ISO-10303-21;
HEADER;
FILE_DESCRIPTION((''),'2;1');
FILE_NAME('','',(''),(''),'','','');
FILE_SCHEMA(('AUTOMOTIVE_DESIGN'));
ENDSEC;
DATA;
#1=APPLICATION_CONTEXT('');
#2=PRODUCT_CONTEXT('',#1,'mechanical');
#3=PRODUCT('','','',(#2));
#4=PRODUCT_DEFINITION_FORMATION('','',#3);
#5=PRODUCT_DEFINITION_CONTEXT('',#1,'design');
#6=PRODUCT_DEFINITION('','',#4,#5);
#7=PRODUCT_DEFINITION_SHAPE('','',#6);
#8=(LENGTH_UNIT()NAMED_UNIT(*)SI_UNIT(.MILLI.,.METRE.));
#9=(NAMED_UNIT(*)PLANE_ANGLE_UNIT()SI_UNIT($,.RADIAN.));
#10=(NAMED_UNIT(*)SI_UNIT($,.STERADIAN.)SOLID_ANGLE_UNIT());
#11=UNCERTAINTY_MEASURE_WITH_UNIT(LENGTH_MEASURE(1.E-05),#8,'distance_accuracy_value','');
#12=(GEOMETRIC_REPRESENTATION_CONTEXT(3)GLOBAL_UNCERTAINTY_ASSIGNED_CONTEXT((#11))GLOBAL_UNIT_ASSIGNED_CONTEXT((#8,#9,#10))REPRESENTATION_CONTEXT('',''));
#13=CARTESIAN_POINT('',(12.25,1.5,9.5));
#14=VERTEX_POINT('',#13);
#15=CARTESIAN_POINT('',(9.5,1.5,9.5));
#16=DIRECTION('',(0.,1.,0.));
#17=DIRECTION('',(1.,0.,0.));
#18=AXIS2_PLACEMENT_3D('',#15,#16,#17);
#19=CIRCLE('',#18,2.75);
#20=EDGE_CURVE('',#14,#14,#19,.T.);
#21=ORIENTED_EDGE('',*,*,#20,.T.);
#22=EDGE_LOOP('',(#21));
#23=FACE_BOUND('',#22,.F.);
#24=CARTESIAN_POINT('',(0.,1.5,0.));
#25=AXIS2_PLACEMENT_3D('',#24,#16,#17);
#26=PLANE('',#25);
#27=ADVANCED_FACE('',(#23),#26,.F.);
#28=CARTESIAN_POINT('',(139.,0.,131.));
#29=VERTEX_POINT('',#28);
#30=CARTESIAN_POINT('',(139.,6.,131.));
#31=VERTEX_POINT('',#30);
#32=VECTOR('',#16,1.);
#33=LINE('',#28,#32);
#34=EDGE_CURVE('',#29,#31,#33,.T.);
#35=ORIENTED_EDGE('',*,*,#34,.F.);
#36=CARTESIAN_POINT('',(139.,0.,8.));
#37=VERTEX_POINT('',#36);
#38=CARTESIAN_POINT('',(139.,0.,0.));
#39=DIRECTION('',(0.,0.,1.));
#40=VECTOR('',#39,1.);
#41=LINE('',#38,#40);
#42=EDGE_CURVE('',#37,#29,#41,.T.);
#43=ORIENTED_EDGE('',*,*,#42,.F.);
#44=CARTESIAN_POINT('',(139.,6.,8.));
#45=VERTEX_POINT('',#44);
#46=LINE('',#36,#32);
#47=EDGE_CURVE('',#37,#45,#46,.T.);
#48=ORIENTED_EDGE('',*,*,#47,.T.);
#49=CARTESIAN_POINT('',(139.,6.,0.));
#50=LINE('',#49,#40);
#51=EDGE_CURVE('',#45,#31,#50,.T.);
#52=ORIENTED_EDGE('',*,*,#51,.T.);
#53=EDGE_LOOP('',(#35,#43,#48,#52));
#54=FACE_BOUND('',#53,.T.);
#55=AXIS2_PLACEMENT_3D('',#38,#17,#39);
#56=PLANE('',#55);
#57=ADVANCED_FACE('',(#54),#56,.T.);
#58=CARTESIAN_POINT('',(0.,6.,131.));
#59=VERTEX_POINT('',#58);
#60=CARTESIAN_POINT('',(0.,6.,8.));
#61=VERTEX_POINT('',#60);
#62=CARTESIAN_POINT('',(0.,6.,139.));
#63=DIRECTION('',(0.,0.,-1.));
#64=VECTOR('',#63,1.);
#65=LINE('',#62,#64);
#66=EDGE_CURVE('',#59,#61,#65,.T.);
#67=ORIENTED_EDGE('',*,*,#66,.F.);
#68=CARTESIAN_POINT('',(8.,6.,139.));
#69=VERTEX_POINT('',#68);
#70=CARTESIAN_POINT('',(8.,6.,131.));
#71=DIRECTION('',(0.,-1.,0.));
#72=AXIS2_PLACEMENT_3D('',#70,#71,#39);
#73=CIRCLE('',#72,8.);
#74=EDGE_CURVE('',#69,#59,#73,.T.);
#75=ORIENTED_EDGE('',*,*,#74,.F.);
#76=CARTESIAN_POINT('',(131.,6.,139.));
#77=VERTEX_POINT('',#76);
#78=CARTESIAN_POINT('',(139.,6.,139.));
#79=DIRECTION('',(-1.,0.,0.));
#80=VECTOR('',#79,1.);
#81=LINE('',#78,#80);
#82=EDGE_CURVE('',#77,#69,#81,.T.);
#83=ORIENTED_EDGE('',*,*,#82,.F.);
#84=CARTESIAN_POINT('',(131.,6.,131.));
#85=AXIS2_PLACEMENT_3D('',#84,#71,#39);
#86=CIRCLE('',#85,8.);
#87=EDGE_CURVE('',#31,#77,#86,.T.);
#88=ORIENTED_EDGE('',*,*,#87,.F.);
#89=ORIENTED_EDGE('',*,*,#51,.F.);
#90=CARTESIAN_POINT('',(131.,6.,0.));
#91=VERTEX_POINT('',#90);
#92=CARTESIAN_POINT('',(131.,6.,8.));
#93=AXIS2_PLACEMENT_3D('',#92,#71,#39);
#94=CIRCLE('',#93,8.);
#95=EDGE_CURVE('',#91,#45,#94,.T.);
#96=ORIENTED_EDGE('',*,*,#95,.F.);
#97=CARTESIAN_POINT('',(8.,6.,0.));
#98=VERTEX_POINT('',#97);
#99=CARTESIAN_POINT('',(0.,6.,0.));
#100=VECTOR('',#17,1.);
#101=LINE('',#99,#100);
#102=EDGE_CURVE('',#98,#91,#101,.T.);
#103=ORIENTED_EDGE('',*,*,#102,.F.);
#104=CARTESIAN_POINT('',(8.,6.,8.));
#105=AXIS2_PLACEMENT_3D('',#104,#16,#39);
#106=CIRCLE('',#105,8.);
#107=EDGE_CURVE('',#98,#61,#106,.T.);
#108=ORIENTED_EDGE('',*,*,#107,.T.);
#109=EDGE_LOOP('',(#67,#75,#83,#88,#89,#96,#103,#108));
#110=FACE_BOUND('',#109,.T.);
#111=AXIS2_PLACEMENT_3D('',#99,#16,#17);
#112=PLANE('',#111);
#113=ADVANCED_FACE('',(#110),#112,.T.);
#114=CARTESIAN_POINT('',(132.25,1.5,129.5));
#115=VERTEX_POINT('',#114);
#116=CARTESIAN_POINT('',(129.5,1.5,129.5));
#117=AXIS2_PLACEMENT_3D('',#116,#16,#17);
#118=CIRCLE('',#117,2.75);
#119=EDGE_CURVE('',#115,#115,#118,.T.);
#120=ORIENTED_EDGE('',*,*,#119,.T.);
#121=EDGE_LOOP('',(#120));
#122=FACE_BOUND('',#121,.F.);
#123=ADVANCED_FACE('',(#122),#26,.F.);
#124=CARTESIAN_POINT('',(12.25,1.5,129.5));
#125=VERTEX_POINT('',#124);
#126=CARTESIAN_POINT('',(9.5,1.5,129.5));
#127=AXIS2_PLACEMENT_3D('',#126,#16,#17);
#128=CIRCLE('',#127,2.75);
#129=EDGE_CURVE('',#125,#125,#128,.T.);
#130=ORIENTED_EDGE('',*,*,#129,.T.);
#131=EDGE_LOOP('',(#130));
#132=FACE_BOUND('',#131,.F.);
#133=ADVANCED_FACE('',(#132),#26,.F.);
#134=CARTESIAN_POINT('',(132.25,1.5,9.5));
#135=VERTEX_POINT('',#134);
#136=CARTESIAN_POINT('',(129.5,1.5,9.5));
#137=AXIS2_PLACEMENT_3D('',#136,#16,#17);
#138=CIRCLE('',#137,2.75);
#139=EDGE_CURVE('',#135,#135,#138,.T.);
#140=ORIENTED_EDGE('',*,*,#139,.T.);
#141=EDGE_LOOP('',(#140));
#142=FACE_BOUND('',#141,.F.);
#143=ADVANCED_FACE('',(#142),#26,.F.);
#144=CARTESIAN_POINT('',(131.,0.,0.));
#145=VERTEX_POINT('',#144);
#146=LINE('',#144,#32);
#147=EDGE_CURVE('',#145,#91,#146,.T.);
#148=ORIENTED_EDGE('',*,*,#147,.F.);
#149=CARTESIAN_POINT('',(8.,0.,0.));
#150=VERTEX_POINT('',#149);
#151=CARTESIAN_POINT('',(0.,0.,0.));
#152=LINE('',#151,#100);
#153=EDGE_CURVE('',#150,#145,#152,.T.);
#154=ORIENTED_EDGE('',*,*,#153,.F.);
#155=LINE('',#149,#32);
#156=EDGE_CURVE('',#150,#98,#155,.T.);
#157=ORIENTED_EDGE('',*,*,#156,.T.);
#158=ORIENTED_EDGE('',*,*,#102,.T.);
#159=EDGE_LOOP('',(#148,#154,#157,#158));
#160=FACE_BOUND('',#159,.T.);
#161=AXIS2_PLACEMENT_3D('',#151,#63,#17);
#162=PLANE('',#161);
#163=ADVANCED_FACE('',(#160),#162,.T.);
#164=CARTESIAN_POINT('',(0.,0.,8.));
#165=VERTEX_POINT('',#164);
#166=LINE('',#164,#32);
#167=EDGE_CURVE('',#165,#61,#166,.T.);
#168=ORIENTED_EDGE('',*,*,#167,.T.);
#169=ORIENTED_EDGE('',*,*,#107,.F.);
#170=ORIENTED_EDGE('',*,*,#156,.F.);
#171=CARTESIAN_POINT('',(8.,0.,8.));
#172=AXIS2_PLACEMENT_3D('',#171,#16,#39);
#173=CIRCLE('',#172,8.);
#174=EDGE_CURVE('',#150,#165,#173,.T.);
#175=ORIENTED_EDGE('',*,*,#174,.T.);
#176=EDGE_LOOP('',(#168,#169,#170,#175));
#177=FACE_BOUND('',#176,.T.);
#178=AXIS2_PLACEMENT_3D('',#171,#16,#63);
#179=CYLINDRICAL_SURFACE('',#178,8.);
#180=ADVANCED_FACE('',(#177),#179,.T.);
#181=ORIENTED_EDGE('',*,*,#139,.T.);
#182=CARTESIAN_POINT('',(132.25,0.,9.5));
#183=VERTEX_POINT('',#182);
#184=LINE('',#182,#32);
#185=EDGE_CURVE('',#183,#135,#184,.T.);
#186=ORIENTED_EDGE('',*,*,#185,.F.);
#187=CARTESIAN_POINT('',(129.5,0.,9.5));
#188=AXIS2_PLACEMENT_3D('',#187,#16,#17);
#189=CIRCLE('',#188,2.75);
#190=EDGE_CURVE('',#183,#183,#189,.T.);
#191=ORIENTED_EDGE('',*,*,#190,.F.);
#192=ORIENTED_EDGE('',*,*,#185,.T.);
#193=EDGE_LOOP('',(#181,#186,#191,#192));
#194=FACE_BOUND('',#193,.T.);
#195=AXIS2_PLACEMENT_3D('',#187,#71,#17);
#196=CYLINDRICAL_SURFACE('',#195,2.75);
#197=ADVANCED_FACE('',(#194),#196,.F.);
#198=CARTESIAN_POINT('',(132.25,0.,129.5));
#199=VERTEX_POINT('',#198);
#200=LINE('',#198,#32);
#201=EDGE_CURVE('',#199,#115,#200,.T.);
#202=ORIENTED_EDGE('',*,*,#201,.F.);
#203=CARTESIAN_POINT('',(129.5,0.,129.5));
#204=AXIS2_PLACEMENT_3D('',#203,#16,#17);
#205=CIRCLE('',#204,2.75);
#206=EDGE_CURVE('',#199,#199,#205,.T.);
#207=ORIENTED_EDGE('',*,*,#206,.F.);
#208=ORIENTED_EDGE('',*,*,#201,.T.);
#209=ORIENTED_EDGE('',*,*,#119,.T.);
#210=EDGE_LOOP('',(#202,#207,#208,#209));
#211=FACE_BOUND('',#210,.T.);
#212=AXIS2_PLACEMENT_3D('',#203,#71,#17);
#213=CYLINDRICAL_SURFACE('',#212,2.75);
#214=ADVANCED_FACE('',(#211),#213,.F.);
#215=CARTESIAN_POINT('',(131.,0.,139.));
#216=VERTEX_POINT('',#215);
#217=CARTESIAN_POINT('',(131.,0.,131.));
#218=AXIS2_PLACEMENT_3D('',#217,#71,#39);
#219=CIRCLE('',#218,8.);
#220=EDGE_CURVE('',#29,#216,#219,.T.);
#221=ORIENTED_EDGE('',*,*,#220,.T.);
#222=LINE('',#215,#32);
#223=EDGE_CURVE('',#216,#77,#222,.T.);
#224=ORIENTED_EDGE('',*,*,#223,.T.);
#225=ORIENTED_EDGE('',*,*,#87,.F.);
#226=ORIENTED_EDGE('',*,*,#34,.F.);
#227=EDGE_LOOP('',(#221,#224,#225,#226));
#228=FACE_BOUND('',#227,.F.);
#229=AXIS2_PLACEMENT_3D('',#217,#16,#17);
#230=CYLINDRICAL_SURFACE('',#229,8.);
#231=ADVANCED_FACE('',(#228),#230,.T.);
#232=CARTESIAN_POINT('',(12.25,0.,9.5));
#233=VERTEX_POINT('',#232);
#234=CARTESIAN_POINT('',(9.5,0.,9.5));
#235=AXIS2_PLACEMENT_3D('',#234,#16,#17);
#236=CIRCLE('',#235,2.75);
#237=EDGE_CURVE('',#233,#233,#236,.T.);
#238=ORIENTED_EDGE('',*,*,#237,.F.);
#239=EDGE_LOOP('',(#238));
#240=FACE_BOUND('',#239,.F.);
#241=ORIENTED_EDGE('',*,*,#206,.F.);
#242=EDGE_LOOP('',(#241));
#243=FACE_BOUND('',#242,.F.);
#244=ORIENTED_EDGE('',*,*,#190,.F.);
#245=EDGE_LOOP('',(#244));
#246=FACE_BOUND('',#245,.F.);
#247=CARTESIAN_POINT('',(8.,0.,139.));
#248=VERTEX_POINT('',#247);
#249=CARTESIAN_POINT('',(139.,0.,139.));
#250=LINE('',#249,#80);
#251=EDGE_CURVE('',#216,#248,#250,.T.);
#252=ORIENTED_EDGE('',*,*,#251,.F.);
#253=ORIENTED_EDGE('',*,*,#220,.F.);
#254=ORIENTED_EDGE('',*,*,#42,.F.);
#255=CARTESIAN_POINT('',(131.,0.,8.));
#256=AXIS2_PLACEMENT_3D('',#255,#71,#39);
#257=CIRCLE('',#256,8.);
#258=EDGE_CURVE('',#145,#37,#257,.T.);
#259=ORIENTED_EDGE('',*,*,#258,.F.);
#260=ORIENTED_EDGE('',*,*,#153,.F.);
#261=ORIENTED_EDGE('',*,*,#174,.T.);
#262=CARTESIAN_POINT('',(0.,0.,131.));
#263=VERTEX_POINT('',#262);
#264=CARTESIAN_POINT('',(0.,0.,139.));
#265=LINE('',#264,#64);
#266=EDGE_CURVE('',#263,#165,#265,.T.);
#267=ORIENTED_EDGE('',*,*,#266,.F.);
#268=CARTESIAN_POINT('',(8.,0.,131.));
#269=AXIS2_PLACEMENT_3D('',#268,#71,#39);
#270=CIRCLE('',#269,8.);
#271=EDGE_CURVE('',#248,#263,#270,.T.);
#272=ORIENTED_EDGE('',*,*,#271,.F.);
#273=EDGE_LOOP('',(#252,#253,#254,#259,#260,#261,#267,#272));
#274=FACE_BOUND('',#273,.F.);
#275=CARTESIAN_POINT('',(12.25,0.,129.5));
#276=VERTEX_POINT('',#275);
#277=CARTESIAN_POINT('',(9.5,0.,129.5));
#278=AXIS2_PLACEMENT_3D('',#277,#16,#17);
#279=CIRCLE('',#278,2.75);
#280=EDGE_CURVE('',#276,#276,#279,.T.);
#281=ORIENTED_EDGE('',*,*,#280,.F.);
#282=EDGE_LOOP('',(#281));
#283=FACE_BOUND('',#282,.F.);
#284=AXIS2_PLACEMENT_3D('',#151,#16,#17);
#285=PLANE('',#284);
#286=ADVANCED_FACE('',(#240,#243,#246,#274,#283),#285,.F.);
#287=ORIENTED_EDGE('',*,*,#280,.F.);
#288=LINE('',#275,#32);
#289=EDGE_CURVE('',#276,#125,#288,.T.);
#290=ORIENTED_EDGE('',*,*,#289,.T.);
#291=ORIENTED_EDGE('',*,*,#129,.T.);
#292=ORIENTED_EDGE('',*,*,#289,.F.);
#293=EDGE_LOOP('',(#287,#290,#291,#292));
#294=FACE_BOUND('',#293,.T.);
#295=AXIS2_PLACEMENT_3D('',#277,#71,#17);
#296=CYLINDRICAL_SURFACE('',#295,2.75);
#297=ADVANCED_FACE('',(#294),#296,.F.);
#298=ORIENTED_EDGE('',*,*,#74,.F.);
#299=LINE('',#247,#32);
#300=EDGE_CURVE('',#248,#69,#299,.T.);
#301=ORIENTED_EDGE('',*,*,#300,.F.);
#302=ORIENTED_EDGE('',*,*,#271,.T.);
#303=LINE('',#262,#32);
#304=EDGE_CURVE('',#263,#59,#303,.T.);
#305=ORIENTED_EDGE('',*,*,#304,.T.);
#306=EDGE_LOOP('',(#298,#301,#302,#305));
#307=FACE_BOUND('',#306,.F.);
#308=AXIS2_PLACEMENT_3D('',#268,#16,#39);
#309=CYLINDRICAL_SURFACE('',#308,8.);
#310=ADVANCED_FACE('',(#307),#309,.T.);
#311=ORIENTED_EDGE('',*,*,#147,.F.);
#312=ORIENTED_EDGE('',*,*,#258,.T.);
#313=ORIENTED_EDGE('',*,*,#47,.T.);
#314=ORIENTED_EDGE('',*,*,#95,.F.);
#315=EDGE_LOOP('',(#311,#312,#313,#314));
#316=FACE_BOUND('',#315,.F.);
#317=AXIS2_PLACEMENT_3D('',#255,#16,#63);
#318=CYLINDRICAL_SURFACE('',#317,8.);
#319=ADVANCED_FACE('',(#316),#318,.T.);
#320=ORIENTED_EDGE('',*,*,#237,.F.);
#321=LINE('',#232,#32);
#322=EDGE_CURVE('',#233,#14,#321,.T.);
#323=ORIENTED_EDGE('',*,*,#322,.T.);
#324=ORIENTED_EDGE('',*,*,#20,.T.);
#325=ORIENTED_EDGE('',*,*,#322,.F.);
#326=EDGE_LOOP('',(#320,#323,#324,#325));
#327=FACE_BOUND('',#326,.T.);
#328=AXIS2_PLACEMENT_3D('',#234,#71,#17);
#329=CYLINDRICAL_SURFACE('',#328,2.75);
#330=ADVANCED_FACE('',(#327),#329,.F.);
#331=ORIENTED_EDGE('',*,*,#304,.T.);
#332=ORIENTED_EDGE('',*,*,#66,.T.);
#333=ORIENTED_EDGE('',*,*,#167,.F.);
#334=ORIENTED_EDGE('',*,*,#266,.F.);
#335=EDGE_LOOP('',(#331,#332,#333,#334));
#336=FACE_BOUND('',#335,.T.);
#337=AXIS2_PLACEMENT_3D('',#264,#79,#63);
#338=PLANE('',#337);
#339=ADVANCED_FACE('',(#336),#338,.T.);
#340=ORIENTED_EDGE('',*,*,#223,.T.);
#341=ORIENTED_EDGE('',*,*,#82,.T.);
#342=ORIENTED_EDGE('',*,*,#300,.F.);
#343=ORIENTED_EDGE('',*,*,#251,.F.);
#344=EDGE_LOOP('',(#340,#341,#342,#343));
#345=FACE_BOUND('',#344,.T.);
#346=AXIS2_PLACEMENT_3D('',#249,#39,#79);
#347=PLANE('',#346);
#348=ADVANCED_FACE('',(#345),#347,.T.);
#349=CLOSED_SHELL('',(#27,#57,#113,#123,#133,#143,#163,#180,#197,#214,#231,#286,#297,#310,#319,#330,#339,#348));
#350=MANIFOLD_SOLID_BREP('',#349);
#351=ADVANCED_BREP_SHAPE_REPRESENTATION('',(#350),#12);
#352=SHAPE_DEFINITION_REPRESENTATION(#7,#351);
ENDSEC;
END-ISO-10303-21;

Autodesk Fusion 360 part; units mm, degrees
sketch "Bottom Access Panel" plane through (0, 0, 0) normal (0, 1, 0) x (1, 0, 0)
  line L0 (0, 0) -> (139, 0)
  line L1 (139, 0) -> (139, -139)
  line L2 (139, -139) -> (0, -139)
  line L3 (0, -139) -> (0, 0)
  dimension "d1" = 139
  dimension "d2" = 139
extrude "Extrude1" add sketch "Bottom Access Panel" along normal blind 6
fillet "Fillet1" radius 8 4 edges at (0, 3, 139) (139, 3, 139) (139, 3, 0) (0, 3, 0)
sketch "Magnet Holes" plane through (0, 0, 0) normal (0, 1, 0) x (1, 0, 0)
  arc A0 (8, 0) -> (0, -8) centre (8, -8) ccw
  line L0 (8, 0) -> (131, 0)
  arc A1 (139, -8) -> (131, 0) centre (131, -8) ccw
  line L1 (139, -8) -> (139, -131)
  arc A2 (131, -139) -> (139, -131) centre (131, -131) ccw
  line L2 (131, -139) -> (8, -139)
  arc A3 (0, -131) -> (8, -139) centre (8, -131) ccw
  line L3 (0, -131) -> (0, -8)
  circle A4 centre (9.5, -129.5) radius 2.75
  circle A5 centre (129.5, -129.5) radius 2.75
  circle A6 centre (9.5, -9.5) radius 2.75
  circle A7 centre (129.5, -9.5) radius 2.75
  dimension "d20" = 5.5
  dimension "d21" = 5.5
  dimension "d22" = 5.5
  dimension "d23" = 5.5
  dimension "d24" = 9.5
  dimension "d25" = 9.5
  dimension "d26" = 9.5
  dimension "d27" = 9.5
  dimension "d28" = 9.5
  dimension "d29" = 9.5
  dimension "d30" = 9.5
  dimension "d31" = 9.5
extrude "Extrude3" cut sketch "Magnet Holes" along normal blind 1.5 contours A4 | A5 | A6 | A7
equation "mdfThickness = 6 mm" comment "Thickness of the MDF fibre board"
equation "d4 = mdfThickness"
equation "filletRadius = 8 mm" comment "Radius to use for fillets"
equation "d15 = filletRadius"
